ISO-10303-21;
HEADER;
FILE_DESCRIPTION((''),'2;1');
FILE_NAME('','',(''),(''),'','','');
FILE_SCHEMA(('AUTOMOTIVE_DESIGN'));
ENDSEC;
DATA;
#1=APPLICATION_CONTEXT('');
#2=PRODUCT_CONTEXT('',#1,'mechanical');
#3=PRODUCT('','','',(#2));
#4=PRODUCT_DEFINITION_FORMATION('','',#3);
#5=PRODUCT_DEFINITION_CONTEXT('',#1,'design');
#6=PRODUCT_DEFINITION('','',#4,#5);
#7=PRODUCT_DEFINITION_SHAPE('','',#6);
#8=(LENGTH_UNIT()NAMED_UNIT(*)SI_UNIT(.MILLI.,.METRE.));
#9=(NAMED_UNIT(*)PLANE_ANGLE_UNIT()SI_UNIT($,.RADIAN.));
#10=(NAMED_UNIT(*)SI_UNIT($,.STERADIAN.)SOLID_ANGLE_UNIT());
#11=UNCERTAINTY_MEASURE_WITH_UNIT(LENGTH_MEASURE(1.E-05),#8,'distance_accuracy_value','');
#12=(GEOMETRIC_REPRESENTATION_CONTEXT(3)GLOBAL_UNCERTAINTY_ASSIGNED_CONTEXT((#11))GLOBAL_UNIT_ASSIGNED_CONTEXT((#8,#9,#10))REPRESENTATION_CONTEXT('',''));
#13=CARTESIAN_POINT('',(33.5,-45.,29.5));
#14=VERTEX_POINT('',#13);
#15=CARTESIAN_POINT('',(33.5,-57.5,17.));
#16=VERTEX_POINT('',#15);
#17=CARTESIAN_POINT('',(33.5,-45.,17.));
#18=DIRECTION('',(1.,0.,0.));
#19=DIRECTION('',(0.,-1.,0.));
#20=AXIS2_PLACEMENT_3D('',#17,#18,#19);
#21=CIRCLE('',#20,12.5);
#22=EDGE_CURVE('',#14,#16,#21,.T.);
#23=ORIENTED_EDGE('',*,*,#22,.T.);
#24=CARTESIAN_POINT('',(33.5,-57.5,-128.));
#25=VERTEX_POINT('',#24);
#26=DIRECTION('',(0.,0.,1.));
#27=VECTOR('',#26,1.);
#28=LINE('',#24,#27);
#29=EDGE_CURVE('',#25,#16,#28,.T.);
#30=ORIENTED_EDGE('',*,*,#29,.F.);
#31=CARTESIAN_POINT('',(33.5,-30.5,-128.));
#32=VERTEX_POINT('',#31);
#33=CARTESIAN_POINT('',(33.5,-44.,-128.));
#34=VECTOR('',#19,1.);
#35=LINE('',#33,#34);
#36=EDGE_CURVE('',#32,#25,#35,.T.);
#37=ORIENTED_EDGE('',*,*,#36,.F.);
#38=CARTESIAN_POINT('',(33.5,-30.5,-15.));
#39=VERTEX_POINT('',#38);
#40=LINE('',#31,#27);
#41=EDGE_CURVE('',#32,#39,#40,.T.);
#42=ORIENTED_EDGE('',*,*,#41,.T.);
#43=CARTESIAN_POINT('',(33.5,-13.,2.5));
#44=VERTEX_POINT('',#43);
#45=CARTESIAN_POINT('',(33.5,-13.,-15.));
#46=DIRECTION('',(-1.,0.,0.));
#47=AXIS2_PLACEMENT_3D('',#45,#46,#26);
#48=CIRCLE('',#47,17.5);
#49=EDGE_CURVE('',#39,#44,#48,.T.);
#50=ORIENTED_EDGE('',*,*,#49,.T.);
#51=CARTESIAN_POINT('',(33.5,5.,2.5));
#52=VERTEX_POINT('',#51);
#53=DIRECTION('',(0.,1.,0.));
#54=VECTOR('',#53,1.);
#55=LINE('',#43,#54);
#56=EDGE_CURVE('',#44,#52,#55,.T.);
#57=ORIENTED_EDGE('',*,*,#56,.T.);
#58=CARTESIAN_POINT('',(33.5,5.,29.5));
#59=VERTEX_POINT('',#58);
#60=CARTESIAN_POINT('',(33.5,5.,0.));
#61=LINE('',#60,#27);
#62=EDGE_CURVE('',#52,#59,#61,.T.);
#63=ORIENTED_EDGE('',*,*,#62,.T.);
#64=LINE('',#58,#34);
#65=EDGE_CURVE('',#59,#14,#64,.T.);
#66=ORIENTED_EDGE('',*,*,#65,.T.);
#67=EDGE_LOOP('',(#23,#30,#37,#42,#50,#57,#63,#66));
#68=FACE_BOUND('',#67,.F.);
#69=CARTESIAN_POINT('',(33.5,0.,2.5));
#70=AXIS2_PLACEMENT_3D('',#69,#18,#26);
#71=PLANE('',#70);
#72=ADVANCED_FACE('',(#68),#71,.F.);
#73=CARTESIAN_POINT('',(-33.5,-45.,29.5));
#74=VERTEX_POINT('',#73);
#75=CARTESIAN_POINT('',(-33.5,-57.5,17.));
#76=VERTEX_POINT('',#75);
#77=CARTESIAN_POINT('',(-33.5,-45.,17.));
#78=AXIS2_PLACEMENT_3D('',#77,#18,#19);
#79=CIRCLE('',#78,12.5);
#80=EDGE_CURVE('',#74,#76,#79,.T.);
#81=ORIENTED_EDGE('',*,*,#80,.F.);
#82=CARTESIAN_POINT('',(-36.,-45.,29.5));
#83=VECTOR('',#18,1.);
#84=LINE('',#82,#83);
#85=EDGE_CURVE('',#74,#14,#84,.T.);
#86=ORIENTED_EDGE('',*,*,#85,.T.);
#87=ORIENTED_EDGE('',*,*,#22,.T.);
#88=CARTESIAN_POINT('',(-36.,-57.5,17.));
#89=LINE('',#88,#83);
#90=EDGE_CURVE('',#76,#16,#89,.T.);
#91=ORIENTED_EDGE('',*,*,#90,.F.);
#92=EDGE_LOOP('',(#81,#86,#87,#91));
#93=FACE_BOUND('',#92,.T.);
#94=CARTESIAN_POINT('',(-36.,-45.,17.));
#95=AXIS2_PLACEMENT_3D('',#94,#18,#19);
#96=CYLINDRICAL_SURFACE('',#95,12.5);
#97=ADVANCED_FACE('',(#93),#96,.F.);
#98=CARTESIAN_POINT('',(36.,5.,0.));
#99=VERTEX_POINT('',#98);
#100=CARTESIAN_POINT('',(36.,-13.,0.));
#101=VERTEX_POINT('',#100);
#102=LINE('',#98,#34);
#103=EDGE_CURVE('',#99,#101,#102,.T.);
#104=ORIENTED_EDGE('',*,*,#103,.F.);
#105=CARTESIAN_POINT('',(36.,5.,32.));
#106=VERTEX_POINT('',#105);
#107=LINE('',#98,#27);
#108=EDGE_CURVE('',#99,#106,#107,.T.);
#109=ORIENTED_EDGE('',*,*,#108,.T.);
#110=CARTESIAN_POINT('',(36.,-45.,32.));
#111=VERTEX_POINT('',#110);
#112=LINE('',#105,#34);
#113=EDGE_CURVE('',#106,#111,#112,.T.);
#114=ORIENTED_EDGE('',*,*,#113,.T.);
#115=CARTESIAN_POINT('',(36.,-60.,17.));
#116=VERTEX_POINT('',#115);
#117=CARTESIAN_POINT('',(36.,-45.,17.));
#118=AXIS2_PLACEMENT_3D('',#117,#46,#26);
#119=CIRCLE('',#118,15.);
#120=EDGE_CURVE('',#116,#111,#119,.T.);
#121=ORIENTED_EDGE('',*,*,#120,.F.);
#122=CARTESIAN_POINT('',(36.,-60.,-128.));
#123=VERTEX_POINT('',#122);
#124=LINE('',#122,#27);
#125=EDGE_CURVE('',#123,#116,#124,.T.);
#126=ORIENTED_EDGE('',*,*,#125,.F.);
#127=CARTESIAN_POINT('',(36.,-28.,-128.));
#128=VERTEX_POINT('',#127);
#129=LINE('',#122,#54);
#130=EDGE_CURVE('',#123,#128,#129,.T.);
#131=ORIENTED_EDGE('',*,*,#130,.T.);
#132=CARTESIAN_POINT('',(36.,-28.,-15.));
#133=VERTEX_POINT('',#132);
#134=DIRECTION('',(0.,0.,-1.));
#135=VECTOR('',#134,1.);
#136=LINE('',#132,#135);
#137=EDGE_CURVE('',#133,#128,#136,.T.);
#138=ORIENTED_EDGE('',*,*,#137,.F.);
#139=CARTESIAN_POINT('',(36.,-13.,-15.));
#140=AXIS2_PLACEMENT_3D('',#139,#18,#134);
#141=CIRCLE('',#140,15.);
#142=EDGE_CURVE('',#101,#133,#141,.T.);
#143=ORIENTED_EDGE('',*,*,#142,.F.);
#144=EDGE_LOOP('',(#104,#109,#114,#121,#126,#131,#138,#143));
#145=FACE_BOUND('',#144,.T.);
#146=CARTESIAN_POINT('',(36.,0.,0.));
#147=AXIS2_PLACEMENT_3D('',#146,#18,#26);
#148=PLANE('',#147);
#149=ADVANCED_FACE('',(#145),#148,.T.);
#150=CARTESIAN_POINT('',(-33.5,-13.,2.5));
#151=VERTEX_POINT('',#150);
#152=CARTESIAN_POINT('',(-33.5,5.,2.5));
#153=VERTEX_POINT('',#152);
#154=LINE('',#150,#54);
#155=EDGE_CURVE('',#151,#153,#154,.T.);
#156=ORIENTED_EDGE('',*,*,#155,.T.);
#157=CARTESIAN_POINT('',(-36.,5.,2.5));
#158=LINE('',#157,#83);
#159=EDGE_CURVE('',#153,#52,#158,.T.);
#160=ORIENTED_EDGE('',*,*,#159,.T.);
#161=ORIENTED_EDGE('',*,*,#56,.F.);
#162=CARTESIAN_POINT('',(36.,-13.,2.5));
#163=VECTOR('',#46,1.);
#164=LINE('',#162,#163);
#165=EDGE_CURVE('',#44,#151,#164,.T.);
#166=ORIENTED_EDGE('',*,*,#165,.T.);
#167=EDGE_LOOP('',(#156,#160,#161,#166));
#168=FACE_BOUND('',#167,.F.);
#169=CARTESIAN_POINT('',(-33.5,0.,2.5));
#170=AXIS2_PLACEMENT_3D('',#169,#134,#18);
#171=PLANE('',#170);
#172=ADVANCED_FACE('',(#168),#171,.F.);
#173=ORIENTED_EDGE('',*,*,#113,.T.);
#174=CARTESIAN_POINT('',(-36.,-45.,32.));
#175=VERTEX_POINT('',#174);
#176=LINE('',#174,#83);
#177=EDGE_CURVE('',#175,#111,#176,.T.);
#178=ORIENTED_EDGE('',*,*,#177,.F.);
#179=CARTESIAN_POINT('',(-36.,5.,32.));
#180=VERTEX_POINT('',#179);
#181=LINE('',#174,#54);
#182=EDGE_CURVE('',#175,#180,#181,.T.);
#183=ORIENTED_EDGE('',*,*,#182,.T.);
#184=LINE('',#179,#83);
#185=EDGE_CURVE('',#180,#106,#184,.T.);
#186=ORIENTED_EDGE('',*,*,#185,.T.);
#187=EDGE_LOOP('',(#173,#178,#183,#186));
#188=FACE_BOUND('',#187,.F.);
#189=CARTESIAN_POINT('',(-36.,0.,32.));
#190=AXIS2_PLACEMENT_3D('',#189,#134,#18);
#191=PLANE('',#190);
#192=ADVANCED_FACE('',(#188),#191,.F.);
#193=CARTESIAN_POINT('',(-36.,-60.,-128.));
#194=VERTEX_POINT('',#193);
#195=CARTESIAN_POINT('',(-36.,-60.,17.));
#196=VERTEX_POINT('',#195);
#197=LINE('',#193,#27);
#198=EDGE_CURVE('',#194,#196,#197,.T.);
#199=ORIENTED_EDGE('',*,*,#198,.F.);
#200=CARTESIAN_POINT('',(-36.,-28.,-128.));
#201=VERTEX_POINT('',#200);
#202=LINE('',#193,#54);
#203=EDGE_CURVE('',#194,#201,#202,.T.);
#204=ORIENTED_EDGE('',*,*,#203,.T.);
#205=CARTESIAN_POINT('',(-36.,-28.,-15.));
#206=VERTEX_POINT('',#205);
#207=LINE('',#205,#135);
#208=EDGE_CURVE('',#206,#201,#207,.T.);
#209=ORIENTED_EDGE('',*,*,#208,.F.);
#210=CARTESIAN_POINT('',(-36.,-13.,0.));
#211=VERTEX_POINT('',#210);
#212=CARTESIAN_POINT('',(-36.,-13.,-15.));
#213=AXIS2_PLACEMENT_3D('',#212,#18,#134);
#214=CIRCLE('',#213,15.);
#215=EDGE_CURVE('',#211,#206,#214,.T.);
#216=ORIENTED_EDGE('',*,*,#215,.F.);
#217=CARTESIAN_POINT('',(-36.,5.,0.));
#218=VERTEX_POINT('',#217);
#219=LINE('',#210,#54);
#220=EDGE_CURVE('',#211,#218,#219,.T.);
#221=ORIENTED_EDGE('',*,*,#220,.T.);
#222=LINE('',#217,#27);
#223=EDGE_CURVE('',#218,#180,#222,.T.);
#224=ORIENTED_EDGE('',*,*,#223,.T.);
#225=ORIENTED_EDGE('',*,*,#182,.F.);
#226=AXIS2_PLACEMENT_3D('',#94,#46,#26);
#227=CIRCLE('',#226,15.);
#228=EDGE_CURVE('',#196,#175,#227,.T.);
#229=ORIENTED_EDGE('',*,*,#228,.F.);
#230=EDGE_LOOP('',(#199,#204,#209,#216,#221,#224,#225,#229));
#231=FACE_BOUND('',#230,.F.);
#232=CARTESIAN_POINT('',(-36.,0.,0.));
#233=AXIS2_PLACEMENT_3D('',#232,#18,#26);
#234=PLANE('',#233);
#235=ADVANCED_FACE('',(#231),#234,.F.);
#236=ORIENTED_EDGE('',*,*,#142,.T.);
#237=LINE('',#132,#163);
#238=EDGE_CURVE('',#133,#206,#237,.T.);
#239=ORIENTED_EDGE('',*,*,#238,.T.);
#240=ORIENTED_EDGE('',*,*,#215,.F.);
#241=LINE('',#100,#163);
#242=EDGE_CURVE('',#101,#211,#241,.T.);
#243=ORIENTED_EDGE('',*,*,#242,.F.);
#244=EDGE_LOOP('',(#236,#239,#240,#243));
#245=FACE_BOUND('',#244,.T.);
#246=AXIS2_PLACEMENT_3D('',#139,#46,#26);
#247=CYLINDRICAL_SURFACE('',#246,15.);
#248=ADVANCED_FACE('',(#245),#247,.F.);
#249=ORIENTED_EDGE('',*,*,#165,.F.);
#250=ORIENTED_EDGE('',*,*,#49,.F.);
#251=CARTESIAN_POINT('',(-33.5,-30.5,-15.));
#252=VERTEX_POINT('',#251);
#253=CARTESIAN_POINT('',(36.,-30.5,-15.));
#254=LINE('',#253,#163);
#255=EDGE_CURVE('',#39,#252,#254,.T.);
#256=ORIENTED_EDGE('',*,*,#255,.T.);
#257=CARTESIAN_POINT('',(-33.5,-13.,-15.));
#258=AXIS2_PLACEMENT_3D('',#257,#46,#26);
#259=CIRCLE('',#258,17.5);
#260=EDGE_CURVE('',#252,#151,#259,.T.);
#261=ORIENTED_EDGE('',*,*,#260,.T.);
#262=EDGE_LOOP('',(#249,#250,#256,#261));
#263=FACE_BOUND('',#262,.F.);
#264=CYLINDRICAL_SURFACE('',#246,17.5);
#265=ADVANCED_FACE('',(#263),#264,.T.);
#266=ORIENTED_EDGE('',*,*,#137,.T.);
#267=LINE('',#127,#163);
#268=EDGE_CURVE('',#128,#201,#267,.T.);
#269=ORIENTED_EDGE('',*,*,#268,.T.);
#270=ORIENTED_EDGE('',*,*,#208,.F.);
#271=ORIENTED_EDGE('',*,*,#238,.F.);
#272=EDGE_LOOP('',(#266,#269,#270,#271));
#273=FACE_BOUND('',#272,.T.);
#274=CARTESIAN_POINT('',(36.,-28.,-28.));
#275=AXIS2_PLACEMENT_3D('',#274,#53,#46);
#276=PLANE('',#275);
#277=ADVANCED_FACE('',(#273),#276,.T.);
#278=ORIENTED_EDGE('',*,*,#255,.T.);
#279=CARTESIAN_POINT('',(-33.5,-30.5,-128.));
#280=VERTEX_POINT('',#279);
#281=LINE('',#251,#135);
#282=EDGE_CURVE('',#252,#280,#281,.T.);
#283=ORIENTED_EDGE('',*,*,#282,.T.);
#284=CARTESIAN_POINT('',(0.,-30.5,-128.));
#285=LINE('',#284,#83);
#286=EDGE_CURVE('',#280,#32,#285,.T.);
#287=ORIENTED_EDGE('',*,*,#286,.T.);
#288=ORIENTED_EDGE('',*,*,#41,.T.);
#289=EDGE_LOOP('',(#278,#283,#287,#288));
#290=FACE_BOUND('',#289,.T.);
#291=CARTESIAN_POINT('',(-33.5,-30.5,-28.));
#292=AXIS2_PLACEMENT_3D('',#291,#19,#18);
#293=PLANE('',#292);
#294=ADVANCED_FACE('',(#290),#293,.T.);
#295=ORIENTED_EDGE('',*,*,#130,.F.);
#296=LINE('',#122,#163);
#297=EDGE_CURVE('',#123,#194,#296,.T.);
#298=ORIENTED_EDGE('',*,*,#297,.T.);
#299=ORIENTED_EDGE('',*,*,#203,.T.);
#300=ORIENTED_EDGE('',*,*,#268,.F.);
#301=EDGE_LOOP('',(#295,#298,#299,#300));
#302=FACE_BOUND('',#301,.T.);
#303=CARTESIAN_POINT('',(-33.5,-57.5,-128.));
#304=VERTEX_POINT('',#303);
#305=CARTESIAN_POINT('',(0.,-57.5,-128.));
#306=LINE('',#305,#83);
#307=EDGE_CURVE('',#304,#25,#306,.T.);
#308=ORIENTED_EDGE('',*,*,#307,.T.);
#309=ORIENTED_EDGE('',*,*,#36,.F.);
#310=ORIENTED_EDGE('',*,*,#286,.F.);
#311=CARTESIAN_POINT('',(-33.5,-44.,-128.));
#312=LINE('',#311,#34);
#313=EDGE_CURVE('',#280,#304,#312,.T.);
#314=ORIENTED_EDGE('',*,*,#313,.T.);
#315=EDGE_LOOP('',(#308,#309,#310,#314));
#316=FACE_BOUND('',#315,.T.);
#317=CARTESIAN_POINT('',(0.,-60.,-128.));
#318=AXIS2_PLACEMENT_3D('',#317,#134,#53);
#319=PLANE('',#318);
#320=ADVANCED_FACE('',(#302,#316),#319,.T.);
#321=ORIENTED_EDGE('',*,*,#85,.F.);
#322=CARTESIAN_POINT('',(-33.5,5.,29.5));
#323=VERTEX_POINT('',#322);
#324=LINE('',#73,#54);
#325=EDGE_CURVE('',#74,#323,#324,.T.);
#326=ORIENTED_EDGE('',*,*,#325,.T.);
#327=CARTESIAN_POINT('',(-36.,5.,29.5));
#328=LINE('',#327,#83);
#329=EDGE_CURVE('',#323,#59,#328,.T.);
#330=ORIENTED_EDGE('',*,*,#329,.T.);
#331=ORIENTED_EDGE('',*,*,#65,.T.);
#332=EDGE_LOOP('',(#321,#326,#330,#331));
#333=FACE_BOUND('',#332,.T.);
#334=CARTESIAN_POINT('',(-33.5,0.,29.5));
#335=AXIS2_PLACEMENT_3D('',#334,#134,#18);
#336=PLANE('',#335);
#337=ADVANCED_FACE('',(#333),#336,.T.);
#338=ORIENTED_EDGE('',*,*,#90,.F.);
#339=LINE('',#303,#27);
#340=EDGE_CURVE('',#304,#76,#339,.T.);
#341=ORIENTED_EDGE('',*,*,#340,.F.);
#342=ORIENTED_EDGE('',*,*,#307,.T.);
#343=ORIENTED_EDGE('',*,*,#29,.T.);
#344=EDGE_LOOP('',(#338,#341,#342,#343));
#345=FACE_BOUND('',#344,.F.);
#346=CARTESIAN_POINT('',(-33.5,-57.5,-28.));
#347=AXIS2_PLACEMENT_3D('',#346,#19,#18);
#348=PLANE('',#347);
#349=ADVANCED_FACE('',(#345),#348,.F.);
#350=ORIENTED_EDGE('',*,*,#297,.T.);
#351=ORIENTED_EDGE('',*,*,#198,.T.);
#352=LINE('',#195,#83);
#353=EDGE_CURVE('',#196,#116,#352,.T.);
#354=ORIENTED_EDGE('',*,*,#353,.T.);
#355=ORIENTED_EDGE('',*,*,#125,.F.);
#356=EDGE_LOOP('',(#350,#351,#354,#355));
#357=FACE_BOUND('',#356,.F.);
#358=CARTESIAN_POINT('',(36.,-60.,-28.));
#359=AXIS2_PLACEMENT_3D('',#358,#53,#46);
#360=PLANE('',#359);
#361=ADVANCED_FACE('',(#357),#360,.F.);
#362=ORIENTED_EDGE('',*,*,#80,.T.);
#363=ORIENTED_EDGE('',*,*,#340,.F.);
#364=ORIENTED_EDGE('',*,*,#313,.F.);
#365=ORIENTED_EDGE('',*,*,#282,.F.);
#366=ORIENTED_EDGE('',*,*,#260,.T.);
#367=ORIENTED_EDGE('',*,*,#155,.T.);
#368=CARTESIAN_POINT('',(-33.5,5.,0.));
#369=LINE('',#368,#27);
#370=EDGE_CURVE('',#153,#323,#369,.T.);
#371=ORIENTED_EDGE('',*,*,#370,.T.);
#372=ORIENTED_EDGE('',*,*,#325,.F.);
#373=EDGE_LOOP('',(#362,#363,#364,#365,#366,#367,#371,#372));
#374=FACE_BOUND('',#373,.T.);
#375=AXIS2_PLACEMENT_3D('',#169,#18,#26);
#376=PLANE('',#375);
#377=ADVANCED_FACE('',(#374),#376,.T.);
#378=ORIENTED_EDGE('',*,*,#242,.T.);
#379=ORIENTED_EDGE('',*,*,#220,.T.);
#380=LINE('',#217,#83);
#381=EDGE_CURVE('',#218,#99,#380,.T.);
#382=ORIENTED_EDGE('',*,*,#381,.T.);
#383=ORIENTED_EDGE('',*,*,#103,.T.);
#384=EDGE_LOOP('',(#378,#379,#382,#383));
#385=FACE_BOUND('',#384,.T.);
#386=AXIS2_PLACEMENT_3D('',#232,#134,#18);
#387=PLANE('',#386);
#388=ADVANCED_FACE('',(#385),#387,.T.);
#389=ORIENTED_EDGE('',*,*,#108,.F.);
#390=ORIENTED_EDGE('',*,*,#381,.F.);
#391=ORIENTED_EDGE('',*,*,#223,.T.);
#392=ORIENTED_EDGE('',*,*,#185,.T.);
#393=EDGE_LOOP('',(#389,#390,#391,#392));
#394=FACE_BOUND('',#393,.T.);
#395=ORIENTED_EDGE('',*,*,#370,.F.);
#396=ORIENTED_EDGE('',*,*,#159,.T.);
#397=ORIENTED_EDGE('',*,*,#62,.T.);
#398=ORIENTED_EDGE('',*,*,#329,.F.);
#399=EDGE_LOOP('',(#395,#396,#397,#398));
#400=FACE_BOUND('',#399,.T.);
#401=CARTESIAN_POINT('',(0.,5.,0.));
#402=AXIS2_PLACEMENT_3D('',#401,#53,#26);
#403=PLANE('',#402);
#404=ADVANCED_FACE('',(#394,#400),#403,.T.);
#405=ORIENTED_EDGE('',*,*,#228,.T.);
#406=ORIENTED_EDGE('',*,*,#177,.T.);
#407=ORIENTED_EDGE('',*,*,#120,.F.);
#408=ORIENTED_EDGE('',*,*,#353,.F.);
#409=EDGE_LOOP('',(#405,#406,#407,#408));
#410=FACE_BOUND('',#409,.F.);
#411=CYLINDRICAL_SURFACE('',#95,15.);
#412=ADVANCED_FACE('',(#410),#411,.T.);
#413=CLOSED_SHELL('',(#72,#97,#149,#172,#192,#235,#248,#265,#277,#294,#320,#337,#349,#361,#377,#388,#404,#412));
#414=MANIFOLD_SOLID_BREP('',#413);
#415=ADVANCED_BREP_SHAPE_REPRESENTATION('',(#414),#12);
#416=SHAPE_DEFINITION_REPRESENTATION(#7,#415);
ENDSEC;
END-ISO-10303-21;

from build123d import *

# Parameters (mm, degrees)
F1_DEPTH = 36
F2_R     = 15
F3_T     = -2.5
F4_W     = 67
F4_H     = 27
F5_DEPTH = 3
F6_DEPTH = 100
F7_DEPTH = 5


with BuildPart() as f1:
    # F0 (on Right) → F1 (new body, symmetric)
    with BuildSketch(Plane.YZ):
        Polygon((-28, 0), (0, 0), (0, 32), (-60, 32), (-60, 0), (-60, -28), (-28, -28), align=None)
    extrude(amount=F1_DEPTH, both=True)

    # F2
    f2_edges = [f1.edges().sort_by_distance(p)[0] for p in [
        (0, -60, 32),
        (0, -28, 0),
    ]]
    fillet(f2_edges, radius=F2_R)

    # F3
    f3_openings = [f1.faces().sort_by_distance(p)[0] for p in [
        (0, 0, 16),
    ]]
    offset(amount=F3_T, openings=f3_openings)

    # F4 (on face) → F5 (cut)
    with BuildSketch(Plane(origin=(0, 0, -28), x_dir=(1, 0, 0), z_dir=(0, 0, -1))):
        with Locations((0, 44)):
            Rectangle(F4_W, F4_H)
    extrude(amount=-F5_DEPTH, mode=Mode.SUBTRACT)

    # F6 (add): a face of the model
    f6_faces = [f1.faces().sort_by_distance(p)[0] for p in [
        (-35.2120913759, -44, -28),
    ]]
    extrude(f6_faces, amount=F6_DEPTH)

    # F7 (add): a face of the model
    f7_faces = [f1.faces().sort_by_distance(p)[0] for p in [
        (0, 0, 0.7879086241),
    ]]
    extrude(f7_faces, amount=F7_DEPTH)


solid = f1.part
